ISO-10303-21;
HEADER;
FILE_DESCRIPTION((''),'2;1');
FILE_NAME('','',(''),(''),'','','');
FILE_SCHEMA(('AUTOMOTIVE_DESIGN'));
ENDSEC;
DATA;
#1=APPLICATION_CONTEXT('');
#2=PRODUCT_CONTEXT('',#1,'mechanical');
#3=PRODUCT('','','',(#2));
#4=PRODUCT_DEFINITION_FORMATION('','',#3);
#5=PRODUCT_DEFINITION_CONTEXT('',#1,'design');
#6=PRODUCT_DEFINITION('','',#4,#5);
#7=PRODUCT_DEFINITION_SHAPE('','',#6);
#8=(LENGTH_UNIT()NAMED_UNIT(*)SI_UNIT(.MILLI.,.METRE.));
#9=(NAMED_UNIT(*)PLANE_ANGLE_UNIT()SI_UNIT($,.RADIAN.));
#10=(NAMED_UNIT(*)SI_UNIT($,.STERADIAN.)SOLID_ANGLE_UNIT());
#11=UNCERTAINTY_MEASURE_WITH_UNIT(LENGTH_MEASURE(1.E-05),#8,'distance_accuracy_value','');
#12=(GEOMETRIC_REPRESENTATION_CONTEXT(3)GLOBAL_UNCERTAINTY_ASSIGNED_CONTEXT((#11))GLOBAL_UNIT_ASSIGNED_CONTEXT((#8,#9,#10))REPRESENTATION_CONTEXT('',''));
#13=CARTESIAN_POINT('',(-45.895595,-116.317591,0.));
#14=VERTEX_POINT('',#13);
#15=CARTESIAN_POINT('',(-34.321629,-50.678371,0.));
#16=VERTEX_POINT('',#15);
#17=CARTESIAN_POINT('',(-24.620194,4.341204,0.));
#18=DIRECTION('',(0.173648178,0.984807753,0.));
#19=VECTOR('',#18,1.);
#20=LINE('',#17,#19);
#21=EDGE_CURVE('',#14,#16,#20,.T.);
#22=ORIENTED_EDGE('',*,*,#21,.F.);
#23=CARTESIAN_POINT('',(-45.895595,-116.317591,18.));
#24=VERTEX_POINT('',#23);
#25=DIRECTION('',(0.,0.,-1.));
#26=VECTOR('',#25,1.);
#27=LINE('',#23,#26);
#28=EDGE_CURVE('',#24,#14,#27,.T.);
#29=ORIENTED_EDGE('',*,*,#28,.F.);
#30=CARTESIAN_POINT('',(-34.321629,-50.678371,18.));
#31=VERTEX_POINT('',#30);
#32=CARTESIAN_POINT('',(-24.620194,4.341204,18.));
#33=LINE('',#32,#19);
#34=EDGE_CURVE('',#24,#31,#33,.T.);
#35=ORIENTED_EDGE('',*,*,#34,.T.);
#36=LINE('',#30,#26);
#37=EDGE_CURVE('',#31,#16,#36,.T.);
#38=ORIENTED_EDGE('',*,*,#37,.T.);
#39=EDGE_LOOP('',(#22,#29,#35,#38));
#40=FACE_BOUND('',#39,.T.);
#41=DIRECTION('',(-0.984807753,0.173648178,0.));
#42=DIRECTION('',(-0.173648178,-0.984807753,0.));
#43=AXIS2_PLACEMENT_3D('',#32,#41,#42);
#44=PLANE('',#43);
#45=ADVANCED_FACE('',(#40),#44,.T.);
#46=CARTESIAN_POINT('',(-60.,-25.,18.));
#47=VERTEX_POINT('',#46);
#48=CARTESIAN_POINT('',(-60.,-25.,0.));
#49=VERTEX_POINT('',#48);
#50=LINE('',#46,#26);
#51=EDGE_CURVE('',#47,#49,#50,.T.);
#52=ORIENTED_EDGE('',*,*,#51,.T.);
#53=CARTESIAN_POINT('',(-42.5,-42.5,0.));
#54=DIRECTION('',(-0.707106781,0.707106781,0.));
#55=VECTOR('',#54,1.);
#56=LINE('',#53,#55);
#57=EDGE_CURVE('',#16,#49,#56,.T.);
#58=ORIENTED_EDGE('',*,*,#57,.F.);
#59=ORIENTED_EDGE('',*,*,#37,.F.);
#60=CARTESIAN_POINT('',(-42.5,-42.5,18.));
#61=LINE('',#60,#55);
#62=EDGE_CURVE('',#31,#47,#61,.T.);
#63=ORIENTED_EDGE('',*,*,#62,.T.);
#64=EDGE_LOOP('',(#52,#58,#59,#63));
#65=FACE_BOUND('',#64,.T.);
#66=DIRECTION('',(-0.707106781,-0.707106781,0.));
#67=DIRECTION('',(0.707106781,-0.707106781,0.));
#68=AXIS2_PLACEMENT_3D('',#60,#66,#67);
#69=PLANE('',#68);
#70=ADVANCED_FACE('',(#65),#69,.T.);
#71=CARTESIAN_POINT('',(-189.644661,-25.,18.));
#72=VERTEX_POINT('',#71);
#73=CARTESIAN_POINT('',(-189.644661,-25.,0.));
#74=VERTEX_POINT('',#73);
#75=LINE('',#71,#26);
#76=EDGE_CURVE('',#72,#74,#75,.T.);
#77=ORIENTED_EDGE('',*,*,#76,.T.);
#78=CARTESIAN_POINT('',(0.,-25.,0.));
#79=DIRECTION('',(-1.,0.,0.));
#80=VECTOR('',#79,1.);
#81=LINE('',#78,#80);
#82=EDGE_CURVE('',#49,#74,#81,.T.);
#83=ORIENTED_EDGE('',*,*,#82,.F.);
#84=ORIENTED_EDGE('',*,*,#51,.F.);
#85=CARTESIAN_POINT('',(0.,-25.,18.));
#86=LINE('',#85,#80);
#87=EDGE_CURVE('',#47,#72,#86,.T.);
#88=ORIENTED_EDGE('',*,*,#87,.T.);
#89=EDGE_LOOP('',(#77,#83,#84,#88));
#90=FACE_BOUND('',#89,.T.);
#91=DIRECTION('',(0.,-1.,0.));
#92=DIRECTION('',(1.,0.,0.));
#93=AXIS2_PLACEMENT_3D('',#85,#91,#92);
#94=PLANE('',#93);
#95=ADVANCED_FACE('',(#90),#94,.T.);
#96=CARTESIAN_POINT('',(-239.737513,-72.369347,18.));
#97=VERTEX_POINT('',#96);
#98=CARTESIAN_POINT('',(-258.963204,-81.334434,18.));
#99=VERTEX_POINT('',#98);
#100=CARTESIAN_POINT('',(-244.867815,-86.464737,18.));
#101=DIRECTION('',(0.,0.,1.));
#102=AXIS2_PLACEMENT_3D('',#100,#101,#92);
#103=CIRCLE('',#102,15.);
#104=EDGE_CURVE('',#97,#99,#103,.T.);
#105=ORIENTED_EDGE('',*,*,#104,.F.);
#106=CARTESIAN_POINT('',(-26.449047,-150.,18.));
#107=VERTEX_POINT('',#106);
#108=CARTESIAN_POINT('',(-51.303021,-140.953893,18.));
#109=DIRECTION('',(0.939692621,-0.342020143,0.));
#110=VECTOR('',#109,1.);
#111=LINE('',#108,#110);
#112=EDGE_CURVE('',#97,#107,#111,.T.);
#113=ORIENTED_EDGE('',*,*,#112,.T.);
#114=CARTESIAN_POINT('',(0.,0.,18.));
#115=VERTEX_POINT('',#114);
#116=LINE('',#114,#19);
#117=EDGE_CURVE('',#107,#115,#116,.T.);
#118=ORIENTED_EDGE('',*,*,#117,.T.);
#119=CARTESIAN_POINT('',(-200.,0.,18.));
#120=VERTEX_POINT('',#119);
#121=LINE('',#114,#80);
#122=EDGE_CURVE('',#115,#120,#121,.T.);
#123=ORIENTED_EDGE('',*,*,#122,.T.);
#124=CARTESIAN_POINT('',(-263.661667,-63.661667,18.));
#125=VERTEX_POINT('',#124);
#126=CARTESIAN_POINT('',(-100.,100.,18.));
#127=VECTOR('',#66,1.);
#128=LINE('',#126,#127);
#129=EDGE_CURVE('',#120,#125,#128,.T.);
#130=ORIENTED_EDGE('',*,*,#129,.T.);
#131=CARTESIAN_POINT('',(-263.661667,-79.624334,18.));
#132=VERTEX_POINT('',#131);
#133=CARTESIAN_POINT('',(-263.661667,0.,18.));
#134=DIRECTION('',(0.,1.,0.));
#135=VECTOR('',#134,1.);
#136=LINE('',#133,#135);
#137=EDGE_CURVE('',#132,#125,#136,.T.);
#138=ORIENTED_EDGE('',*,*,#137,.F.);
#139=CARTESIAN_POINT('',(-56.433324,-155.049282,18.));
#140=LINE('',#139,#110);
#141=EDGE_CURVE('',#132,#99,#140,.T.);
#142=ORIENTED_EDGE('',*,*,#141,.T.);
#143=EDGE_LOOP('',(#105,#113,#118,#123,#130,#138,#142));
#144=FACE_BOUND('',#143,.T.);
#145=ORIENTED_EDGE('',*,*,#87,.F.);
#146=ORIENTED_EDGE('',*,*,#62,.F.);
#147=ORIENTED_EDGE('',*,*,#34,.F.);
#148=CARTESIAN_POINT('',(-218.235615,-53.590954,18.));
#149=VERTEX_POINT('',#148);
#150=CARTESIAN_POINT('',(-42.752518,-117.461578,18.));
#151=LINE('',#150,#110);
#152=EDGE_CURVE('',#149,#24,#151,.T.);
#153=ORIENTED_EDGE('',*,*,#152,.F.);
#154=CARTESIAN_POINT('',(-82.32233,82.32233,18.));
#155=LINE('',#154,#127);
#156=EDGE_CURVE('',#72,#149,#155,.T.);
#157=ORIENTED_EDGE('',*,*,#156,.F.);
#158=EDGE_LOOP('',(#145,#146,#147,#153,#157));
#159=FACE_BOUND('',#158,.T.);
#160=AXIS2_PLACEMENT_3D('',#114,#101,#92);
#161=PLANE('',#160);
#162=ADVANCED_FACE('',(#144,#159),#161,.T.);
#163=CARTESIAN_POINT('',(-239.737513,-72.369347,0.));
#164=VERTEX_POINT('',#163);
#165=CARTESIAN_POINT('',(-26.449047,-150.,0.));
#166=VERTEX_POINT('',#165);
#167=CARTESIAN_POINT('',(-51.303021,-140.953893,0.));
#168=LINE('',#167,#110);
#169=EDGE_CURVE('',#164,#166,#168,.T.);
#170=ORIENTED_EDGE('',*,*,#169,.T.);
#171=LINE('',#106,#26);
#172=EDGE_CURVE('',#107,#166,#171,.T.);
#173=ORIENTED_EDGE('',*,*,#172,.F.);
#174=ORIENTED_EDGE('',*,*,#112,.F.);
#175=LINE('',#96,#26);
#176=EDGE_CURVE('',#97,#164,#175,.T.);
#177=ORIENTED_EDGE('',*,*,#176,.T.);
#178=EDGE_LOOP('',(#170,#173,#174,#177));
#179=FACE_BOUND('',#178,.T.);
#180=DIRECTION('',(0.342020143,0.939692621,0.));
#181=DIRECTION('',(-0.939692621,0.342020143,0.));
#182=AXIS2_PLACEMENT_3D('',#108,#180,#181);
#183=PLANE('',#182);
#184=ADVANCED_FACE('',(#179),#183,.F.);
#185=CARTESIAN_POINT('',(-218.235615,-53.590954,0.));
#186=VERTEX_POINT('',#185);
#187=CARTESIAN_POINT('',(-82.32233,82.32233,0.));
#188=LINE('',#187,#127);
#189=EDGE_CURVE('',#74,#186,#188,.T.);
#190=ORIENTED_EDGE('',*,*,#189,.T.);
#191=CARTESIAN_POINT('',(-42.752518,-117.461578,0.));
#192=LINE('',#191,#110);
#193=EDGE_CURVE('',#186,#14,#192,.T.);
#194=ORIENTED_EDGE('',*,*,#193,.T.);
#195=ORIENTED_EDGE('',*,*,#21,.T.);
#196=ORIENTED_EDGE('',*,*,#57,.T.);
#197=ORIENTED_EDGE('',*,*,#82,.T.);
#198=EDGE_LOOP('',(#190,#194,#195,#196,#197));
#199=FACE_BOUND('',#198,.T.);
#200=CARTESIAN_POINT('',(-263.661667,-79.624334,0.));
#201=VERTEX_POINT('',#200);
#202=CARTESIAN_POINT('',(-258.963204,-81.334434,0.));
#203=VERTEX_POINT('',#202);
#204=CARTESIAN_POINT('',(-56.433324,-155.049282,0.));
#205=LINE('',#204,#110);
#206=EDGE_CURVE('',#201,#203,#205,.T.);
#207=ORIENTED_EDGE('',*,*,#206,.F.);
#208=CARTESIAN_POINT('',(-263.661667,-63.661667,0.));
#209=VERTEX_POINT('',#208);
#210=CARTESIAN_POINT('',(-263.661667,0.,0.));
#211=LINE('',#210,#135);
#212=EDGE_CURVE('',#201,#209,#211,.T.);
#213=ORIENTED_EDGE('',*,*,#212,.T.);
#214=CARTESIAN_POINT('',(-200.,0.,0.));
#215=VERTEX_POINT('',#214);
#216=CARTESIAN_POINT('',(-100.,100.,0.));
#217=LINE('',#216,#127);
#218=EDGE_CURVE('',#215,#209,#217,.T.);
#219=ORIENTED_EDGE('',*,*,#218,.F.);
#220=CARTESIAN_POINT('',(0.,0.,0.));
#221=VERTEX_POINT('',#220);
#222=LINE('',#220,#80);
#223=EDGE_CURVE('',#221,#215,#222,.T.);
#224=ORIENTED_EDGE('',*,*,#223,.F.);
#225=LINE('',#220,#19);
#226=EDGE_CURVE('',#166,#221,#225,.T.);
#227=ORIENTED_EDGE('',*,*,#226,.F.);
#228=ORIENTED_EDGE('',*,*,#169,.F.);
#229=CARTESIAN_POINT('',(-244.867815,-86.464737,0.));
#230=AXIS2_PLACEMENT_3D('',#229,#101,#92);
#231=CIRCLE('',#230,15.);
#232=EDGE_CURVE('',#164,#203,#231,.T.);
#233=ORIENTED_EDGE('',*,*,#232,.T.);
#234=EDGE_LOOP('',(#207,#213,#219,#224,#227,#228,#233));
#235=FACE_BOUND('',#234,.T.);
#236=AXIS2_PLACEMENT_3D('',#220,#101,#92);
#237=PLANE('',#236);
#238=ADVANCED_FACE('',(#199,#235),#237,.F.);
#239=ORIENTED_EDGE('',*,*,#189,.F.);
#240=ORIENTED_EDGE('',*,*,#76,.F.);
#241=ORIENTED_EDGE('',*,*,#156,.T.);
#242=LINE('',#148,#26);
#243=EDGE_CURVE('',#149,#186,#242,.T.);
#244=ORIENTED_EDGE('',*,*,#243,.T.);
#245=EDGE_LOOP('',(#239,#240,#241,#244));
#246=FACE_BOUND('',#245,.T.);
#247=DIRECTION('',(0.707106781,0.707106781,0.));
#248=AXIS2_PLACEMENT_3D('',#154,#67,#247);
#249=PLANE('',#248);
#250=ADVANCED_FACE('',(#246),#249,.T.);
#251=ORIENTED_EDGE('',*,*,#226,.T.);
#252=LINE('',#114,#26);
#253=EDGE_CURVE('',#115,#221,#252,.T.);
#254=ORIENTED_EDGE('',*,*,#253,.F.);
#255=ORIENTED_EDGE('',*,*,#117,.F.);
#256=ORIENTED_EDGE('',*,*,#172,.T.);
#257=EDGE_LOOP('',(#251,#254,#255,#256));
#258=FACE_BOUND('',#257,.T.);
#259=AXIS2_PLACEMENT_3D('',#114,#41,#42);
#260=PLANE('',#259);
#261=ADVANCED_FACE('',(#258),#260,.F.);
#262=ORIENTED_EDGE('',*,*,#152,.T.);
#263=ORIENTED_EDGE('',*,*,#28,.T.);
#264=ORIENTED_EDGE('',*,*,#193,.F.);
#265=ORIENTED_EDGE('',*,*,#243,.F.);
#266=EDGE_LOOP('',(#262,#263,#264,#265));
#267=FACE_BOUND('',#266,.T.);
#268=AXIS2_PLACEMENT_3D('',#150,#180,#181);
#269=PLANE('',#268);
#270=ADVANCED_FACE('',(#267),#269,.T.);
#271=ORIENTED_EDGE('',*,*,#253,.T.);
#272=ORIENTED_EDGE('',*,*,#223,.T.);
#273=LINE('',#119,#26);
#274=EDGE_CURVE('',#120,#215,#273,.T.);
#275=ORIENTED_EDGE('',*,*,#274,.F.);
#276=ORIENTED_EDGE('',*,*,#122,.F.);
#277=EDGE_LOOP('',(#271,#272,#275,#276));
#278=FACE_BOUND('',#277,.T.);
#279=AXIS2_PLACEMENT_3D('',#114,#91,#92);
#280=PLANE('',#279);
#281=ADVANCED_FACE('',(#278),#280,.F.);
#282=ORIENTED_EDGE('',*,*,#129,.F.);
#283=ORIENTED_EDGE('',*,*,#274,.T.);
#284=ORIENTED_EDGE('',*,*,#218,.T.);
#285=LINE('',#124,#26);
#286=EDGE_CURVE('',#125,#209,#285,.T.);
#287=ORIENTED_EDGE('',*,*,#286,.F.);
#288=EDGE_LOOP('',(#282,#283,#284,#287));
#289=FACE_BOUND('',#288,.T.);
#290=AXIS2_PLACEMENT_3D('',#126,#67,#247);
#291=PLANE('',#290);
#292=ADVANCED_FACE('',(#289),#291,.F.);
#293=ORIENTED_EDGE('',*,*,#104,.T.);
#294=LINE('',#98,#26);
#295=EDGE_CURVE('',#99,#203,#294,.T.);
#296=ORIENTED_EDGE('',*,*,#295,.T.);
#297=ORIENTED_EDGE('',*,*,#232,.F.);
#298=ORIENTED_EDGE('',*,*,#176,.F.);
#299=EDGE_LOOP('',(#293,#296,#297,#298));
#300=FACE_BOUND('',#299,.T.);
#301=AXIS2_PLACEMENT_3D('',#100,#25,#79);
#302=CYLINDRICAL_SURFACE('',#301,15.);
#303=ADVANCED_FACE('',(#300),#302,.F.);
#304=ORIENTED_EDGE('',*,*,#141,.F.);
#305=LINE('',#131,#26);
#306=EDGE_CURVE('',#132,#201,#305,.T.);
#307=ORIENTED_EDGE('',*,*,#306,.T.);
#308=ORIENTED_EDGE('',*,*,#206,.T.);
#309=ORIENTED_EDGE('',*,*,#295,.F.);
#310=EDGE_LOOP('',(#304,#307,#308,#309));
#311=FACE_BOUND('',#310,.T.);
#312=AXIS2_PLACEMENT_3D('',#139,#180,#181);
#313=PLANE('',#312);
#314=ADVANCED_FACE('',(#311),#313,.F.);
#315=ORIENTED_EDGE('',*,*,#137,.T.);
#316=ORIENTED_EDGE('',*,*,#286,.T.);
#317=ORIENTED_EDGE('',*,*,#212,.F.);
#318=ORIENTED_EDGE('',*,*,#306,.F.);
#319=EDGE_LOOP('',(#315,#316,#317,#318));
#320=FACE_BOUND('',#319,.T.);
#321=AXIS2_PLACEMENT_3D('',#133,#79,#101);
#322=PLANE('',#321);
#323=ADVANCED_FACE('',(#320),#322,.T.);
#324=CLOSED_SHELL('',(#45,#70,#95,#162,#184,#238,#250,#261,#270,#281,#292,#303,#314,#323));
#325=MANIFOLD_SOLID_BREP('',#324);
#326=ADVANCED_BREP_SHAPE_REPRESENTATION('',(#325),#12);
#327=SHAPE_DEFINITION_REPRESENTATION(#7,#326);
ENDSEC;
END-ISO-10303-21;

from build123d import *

# Parameters (mm, degrees)
BOSS_EXTRUDE2_DEPTH = 18


with BuildPart() as part:
    # Sketch5 → Boss-Extrude2 (new body)
    with BuildSketch(Plane.XY):
        with BuildLine():
            ThreePointArc((-239.737512556, -72.369347264), (-251.207088632, -72.87011977), (-258.963204018, -81.334434426))
            Line((-258.963204018, -81.334434426), (-263.661667122, -79.624333709))
            Line((-263.661667122, -79.624333709), (-263.661667122, -65.732734934))
            Line((-263.661667122, -65.732734934), (-263.661667122, -63.661667122))
            Line((-263.661667122, -63.661667122), (-262.197201028, -62.197201028))
            Line((-262.197201028, -62.197201028), (-201.464466094, -1.464466094))
            Line((-201.464466094, -1.464466094), (-200, 0))
            Line((-200, 0), (-197.928932188, 0))
            Line((-197.928932188, 0), (-5.958767963, 0))
            Line((-5.958767963, 0), (0, 0))
            Line((0, 0), (-1.034729198, -5.868240888))
            Line((-1.034729198, -5.868240888), (-25.414317908, -144.131759112))
            Line((-25.414317908, -144.131759112), (-26.449047106, -150))
            Line((-26.449047106, -150), (-32.04845739, -147.961981327))
            Line((-32.04845739, -147.961981327), (-239.737512556, -72.369347264))
        make_face()
        Polygon((-218.235614695, -53.590953754), (-45.895594942, -116.317591117), (-34.321629376, -50.678370624), (-60, -25), (-189.644660941, -25), align=None, mode=Mode.SUBTRACT)
    extrude(amount=BOSS_EXTRUDE2_DEPTH)


solid = part.part
